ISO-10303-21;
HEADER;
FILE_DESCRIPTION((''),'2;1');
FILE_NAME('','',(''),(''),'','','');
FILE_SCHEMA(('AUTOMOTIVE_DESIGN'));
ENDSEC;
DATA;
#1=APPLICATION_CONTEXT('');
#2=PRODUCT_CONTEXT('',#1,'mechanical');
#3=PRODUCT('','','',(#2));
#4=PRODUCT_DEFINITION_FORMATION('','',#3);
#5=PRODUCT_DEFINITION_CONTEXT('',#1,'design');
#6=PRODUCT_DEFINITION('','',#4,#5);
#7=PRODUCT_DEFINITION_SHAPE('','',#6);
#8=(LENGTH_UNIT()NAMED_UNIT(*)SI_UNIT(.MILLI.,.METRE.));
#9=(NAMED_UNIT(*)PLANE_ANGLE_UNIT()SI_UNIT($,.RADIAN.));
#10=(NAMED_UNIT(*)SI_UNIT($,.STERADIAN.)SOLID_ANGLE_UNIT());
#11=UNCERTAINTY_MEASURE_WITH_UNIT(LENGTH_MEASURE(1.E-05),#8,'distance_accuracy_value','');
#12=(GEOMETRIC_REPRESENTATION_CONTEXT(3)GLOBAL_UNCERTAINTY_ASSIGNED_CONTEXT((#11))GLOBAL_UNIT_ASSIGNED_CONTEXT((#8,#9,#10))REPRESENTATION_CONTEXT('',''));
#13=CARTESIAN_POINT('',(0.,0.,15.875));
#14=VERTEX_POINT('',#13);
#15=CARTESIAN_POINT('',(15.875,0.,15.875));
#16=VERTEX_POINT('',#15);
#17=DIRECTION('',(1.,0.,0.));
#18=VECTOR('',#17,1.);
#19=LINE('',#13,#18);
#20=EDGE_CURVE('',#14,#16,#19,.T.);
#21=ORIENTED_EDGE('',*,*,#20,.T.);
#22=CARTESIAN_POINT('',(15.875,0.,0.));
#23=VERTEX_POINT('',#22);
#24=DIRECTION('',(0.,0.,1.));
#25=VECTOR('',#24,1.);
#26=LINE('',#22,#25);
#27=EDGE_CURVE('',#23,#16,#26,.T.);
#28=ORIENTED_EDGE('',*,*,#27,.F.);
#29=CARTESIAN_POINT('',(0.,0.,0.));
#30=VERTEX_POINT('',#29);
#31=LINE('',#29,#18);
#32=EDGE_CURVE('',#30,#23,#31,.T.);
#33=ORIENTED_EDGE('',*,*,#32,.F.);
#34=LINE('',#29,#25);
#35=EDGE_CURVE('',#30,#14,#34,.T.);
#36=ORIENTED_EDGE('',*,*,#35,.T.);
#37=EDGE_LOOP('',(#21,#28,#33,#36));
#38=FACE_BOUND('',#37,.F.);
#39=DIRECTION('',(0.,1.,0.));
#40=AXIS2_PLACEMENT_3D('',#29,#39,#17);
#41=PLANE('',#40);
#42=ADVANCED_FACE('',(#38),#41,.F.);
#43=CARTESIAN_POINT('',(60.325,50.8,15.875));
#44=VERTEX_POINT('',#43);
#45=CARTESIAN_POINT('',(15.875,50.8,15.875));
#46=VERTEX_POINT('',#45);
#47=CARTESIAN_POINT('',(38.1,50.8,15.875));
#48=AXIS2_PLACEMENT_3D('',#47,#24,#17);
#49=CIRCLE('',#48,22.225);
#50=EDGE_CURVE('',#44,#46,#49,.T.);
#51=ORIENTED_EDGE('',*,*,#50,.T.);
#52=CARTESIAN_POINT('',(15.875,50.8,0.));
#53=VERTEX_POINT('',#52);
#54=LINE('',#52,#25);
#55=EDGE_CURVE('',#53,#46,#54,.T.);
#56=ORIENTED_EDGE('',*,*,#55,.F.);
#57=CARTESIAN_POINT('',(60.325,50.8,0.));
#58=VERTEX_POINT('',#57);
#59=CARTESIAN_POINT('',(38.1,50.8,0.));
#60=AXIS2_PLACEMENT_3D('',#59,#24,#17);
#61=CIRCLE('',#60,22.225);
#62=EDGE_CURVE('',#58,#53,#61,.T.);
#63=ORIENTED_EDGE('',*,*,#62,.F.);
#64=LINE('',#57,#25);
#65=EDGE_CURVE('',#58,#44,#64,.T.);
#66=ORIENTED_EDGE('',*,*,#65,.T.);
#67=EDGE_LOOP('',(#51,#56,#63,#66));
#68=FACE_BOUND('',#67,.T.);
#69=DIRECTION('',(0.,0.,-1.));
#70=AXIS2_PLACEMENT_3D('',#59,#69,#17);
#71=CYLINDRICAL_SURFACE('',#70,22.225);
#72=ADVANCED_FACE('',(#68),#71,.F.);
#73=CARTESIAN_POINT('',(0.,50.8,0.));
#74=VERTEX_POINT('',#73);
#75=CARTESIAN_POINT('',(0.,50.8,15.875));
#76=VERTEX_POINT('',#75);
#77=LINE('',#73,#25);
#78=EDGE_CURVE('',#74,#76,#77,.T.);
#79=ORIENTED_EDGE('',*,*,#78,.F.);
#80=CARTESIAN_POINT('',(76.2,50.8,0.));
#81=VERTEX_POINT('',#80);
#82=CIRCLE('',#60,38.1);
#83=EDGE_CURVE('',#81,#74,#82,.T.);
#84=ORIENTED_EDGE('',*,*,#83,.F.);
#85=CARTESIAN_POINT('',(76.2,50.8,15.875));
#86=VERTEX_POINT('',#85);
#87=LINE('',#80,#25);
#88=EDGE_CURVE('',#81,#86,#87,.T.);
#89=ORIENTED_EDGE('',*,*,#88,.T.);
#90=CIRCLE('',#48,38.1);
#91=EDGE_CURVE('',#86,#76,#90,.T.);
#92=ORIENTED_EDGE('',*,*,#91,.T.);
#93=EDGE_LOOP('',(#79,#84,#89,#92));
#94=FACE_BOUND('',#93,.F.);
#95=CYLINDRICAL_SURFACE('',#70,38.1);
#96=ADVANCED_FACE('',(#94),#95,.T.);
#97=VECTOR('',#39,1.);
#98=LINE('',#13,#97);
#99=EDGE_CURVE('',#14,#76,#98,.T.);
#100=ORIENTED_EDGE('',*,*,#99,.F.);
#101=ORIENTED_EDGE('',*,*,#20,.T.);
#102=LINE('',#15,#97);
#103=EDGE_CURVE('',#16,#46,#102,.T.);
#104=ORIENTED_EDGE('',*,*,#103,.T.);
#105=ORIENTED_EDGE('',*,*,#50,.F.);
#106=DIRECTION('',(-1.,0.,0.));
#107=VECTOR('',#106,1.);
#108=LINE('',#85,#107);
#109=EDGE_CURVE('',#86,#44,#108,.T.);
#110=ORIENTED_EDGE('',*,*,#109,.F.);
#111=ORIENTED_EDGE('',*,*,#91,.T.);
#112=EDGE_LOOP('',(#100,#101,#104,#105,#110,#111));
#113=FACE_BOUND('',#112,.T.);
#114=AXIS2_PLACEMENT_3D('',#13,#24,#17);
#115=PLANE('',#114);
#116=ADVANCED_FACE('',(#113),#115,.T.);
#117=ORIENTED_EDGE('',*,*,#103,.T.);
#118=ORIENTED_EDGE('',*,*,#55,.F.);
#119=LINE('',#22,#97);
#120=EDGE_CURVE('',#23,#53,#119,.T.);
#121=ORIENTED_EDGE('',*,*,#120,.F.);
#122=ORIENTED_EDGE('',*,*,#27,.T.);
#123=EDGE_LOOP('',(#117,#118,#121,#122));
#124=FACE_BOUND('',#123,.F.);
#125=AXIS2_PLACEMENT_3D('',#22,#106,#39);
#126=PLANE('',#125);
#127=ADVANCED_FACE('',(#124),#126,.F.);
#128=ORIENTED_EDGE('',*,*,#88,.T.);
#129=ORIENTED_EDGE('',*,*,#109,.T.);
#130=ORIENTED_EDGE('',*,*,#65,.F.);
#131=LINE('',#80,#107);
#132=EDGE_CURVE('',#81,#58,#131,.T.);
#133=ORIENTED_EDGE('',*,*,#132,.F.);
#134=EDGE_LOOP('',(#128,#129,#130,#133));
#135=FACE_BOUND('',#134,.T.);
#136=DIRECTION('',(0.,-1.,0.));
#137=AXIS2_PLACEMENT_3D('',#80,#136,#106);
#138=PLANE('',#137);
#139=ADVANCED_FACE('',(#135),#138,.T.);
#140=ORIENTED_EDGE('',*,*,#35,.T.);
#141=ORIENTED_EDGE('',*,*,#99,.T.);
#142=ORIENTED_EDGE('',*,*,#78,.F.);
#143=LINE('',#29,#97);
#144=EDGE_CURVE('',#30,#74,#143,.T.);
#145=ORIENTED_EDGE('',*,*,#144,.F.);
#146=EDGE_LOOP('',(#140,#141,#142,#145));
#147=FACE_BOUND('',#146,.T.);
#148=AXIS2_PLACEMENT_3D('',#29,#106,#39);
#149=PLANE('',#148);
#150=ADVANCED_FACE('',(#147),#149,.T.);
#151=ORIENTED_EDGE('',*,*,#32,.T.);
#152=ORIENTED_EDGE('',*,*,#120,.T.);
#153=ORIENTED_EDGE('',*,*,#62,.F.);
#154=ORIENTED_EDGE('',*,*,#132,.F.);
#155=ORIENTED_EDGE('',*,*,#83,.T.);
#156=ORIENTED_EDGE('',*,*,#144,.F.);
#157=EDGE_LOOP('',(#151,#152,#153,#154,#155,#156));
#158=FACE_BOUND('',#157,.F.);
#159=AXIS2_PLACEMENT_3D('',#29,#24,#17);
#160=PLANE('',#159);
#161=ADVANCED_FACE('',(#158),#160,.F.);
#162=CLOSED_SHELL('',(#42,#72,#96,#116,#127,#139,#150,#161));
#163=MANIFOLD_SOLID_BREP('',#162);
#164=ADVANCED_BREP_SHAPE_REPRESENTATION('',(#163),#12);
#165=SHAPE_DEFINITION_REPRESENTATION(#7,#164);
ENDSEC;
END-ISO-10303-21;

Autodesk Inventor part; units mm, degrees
ref_plane "YZ Plane" through (0, 0, 0) normal (1, 0, 0) x (0, 1, 0)
ref_plane "XZ Plane" through (0, 0, 0) normal (0, 1, 0) x (-1, 0, 0)
ref_plane "XY Plane" through (0, 0, 0) normal (0, 0, 1) x (1, 0, 0)
sketch "Sketch1" plane through (0, 0, 0) normal (0, 0, 1) x (1, 0, 0)
  line L0 (0, 0) -> (0, 50.8)
  line L1 (-12.3149, 50.587) -> (-12.3149, 50.587)
  arc A0 (76.2, 50.8) -> (0, 50.8) centre (38.1, 50.8) ccw
  line L2 (0, 0) -> (15.875, 0)
  line L3 (15.875, 0) -> (15.875, 50.8)
  arc A1 (60.325, 50.8) -> (15.875, 50.8) centre (38.1, 50.8) ccw
  line L4 (76.2, 50.8) -> (60.325, 50.8)
  line L5 (8.5732, 88.9) -> (68.624, 88.9) construction
  dimension "d1" = 15.875
  dimension "d3" = 50.8
  dimension "d6" = 38.1
extrude "Extrusion1" add sketch "Sketch1" along normal blind 15.875
equation "\"d4\" = d1"
properties part number "TelescopeHook"
